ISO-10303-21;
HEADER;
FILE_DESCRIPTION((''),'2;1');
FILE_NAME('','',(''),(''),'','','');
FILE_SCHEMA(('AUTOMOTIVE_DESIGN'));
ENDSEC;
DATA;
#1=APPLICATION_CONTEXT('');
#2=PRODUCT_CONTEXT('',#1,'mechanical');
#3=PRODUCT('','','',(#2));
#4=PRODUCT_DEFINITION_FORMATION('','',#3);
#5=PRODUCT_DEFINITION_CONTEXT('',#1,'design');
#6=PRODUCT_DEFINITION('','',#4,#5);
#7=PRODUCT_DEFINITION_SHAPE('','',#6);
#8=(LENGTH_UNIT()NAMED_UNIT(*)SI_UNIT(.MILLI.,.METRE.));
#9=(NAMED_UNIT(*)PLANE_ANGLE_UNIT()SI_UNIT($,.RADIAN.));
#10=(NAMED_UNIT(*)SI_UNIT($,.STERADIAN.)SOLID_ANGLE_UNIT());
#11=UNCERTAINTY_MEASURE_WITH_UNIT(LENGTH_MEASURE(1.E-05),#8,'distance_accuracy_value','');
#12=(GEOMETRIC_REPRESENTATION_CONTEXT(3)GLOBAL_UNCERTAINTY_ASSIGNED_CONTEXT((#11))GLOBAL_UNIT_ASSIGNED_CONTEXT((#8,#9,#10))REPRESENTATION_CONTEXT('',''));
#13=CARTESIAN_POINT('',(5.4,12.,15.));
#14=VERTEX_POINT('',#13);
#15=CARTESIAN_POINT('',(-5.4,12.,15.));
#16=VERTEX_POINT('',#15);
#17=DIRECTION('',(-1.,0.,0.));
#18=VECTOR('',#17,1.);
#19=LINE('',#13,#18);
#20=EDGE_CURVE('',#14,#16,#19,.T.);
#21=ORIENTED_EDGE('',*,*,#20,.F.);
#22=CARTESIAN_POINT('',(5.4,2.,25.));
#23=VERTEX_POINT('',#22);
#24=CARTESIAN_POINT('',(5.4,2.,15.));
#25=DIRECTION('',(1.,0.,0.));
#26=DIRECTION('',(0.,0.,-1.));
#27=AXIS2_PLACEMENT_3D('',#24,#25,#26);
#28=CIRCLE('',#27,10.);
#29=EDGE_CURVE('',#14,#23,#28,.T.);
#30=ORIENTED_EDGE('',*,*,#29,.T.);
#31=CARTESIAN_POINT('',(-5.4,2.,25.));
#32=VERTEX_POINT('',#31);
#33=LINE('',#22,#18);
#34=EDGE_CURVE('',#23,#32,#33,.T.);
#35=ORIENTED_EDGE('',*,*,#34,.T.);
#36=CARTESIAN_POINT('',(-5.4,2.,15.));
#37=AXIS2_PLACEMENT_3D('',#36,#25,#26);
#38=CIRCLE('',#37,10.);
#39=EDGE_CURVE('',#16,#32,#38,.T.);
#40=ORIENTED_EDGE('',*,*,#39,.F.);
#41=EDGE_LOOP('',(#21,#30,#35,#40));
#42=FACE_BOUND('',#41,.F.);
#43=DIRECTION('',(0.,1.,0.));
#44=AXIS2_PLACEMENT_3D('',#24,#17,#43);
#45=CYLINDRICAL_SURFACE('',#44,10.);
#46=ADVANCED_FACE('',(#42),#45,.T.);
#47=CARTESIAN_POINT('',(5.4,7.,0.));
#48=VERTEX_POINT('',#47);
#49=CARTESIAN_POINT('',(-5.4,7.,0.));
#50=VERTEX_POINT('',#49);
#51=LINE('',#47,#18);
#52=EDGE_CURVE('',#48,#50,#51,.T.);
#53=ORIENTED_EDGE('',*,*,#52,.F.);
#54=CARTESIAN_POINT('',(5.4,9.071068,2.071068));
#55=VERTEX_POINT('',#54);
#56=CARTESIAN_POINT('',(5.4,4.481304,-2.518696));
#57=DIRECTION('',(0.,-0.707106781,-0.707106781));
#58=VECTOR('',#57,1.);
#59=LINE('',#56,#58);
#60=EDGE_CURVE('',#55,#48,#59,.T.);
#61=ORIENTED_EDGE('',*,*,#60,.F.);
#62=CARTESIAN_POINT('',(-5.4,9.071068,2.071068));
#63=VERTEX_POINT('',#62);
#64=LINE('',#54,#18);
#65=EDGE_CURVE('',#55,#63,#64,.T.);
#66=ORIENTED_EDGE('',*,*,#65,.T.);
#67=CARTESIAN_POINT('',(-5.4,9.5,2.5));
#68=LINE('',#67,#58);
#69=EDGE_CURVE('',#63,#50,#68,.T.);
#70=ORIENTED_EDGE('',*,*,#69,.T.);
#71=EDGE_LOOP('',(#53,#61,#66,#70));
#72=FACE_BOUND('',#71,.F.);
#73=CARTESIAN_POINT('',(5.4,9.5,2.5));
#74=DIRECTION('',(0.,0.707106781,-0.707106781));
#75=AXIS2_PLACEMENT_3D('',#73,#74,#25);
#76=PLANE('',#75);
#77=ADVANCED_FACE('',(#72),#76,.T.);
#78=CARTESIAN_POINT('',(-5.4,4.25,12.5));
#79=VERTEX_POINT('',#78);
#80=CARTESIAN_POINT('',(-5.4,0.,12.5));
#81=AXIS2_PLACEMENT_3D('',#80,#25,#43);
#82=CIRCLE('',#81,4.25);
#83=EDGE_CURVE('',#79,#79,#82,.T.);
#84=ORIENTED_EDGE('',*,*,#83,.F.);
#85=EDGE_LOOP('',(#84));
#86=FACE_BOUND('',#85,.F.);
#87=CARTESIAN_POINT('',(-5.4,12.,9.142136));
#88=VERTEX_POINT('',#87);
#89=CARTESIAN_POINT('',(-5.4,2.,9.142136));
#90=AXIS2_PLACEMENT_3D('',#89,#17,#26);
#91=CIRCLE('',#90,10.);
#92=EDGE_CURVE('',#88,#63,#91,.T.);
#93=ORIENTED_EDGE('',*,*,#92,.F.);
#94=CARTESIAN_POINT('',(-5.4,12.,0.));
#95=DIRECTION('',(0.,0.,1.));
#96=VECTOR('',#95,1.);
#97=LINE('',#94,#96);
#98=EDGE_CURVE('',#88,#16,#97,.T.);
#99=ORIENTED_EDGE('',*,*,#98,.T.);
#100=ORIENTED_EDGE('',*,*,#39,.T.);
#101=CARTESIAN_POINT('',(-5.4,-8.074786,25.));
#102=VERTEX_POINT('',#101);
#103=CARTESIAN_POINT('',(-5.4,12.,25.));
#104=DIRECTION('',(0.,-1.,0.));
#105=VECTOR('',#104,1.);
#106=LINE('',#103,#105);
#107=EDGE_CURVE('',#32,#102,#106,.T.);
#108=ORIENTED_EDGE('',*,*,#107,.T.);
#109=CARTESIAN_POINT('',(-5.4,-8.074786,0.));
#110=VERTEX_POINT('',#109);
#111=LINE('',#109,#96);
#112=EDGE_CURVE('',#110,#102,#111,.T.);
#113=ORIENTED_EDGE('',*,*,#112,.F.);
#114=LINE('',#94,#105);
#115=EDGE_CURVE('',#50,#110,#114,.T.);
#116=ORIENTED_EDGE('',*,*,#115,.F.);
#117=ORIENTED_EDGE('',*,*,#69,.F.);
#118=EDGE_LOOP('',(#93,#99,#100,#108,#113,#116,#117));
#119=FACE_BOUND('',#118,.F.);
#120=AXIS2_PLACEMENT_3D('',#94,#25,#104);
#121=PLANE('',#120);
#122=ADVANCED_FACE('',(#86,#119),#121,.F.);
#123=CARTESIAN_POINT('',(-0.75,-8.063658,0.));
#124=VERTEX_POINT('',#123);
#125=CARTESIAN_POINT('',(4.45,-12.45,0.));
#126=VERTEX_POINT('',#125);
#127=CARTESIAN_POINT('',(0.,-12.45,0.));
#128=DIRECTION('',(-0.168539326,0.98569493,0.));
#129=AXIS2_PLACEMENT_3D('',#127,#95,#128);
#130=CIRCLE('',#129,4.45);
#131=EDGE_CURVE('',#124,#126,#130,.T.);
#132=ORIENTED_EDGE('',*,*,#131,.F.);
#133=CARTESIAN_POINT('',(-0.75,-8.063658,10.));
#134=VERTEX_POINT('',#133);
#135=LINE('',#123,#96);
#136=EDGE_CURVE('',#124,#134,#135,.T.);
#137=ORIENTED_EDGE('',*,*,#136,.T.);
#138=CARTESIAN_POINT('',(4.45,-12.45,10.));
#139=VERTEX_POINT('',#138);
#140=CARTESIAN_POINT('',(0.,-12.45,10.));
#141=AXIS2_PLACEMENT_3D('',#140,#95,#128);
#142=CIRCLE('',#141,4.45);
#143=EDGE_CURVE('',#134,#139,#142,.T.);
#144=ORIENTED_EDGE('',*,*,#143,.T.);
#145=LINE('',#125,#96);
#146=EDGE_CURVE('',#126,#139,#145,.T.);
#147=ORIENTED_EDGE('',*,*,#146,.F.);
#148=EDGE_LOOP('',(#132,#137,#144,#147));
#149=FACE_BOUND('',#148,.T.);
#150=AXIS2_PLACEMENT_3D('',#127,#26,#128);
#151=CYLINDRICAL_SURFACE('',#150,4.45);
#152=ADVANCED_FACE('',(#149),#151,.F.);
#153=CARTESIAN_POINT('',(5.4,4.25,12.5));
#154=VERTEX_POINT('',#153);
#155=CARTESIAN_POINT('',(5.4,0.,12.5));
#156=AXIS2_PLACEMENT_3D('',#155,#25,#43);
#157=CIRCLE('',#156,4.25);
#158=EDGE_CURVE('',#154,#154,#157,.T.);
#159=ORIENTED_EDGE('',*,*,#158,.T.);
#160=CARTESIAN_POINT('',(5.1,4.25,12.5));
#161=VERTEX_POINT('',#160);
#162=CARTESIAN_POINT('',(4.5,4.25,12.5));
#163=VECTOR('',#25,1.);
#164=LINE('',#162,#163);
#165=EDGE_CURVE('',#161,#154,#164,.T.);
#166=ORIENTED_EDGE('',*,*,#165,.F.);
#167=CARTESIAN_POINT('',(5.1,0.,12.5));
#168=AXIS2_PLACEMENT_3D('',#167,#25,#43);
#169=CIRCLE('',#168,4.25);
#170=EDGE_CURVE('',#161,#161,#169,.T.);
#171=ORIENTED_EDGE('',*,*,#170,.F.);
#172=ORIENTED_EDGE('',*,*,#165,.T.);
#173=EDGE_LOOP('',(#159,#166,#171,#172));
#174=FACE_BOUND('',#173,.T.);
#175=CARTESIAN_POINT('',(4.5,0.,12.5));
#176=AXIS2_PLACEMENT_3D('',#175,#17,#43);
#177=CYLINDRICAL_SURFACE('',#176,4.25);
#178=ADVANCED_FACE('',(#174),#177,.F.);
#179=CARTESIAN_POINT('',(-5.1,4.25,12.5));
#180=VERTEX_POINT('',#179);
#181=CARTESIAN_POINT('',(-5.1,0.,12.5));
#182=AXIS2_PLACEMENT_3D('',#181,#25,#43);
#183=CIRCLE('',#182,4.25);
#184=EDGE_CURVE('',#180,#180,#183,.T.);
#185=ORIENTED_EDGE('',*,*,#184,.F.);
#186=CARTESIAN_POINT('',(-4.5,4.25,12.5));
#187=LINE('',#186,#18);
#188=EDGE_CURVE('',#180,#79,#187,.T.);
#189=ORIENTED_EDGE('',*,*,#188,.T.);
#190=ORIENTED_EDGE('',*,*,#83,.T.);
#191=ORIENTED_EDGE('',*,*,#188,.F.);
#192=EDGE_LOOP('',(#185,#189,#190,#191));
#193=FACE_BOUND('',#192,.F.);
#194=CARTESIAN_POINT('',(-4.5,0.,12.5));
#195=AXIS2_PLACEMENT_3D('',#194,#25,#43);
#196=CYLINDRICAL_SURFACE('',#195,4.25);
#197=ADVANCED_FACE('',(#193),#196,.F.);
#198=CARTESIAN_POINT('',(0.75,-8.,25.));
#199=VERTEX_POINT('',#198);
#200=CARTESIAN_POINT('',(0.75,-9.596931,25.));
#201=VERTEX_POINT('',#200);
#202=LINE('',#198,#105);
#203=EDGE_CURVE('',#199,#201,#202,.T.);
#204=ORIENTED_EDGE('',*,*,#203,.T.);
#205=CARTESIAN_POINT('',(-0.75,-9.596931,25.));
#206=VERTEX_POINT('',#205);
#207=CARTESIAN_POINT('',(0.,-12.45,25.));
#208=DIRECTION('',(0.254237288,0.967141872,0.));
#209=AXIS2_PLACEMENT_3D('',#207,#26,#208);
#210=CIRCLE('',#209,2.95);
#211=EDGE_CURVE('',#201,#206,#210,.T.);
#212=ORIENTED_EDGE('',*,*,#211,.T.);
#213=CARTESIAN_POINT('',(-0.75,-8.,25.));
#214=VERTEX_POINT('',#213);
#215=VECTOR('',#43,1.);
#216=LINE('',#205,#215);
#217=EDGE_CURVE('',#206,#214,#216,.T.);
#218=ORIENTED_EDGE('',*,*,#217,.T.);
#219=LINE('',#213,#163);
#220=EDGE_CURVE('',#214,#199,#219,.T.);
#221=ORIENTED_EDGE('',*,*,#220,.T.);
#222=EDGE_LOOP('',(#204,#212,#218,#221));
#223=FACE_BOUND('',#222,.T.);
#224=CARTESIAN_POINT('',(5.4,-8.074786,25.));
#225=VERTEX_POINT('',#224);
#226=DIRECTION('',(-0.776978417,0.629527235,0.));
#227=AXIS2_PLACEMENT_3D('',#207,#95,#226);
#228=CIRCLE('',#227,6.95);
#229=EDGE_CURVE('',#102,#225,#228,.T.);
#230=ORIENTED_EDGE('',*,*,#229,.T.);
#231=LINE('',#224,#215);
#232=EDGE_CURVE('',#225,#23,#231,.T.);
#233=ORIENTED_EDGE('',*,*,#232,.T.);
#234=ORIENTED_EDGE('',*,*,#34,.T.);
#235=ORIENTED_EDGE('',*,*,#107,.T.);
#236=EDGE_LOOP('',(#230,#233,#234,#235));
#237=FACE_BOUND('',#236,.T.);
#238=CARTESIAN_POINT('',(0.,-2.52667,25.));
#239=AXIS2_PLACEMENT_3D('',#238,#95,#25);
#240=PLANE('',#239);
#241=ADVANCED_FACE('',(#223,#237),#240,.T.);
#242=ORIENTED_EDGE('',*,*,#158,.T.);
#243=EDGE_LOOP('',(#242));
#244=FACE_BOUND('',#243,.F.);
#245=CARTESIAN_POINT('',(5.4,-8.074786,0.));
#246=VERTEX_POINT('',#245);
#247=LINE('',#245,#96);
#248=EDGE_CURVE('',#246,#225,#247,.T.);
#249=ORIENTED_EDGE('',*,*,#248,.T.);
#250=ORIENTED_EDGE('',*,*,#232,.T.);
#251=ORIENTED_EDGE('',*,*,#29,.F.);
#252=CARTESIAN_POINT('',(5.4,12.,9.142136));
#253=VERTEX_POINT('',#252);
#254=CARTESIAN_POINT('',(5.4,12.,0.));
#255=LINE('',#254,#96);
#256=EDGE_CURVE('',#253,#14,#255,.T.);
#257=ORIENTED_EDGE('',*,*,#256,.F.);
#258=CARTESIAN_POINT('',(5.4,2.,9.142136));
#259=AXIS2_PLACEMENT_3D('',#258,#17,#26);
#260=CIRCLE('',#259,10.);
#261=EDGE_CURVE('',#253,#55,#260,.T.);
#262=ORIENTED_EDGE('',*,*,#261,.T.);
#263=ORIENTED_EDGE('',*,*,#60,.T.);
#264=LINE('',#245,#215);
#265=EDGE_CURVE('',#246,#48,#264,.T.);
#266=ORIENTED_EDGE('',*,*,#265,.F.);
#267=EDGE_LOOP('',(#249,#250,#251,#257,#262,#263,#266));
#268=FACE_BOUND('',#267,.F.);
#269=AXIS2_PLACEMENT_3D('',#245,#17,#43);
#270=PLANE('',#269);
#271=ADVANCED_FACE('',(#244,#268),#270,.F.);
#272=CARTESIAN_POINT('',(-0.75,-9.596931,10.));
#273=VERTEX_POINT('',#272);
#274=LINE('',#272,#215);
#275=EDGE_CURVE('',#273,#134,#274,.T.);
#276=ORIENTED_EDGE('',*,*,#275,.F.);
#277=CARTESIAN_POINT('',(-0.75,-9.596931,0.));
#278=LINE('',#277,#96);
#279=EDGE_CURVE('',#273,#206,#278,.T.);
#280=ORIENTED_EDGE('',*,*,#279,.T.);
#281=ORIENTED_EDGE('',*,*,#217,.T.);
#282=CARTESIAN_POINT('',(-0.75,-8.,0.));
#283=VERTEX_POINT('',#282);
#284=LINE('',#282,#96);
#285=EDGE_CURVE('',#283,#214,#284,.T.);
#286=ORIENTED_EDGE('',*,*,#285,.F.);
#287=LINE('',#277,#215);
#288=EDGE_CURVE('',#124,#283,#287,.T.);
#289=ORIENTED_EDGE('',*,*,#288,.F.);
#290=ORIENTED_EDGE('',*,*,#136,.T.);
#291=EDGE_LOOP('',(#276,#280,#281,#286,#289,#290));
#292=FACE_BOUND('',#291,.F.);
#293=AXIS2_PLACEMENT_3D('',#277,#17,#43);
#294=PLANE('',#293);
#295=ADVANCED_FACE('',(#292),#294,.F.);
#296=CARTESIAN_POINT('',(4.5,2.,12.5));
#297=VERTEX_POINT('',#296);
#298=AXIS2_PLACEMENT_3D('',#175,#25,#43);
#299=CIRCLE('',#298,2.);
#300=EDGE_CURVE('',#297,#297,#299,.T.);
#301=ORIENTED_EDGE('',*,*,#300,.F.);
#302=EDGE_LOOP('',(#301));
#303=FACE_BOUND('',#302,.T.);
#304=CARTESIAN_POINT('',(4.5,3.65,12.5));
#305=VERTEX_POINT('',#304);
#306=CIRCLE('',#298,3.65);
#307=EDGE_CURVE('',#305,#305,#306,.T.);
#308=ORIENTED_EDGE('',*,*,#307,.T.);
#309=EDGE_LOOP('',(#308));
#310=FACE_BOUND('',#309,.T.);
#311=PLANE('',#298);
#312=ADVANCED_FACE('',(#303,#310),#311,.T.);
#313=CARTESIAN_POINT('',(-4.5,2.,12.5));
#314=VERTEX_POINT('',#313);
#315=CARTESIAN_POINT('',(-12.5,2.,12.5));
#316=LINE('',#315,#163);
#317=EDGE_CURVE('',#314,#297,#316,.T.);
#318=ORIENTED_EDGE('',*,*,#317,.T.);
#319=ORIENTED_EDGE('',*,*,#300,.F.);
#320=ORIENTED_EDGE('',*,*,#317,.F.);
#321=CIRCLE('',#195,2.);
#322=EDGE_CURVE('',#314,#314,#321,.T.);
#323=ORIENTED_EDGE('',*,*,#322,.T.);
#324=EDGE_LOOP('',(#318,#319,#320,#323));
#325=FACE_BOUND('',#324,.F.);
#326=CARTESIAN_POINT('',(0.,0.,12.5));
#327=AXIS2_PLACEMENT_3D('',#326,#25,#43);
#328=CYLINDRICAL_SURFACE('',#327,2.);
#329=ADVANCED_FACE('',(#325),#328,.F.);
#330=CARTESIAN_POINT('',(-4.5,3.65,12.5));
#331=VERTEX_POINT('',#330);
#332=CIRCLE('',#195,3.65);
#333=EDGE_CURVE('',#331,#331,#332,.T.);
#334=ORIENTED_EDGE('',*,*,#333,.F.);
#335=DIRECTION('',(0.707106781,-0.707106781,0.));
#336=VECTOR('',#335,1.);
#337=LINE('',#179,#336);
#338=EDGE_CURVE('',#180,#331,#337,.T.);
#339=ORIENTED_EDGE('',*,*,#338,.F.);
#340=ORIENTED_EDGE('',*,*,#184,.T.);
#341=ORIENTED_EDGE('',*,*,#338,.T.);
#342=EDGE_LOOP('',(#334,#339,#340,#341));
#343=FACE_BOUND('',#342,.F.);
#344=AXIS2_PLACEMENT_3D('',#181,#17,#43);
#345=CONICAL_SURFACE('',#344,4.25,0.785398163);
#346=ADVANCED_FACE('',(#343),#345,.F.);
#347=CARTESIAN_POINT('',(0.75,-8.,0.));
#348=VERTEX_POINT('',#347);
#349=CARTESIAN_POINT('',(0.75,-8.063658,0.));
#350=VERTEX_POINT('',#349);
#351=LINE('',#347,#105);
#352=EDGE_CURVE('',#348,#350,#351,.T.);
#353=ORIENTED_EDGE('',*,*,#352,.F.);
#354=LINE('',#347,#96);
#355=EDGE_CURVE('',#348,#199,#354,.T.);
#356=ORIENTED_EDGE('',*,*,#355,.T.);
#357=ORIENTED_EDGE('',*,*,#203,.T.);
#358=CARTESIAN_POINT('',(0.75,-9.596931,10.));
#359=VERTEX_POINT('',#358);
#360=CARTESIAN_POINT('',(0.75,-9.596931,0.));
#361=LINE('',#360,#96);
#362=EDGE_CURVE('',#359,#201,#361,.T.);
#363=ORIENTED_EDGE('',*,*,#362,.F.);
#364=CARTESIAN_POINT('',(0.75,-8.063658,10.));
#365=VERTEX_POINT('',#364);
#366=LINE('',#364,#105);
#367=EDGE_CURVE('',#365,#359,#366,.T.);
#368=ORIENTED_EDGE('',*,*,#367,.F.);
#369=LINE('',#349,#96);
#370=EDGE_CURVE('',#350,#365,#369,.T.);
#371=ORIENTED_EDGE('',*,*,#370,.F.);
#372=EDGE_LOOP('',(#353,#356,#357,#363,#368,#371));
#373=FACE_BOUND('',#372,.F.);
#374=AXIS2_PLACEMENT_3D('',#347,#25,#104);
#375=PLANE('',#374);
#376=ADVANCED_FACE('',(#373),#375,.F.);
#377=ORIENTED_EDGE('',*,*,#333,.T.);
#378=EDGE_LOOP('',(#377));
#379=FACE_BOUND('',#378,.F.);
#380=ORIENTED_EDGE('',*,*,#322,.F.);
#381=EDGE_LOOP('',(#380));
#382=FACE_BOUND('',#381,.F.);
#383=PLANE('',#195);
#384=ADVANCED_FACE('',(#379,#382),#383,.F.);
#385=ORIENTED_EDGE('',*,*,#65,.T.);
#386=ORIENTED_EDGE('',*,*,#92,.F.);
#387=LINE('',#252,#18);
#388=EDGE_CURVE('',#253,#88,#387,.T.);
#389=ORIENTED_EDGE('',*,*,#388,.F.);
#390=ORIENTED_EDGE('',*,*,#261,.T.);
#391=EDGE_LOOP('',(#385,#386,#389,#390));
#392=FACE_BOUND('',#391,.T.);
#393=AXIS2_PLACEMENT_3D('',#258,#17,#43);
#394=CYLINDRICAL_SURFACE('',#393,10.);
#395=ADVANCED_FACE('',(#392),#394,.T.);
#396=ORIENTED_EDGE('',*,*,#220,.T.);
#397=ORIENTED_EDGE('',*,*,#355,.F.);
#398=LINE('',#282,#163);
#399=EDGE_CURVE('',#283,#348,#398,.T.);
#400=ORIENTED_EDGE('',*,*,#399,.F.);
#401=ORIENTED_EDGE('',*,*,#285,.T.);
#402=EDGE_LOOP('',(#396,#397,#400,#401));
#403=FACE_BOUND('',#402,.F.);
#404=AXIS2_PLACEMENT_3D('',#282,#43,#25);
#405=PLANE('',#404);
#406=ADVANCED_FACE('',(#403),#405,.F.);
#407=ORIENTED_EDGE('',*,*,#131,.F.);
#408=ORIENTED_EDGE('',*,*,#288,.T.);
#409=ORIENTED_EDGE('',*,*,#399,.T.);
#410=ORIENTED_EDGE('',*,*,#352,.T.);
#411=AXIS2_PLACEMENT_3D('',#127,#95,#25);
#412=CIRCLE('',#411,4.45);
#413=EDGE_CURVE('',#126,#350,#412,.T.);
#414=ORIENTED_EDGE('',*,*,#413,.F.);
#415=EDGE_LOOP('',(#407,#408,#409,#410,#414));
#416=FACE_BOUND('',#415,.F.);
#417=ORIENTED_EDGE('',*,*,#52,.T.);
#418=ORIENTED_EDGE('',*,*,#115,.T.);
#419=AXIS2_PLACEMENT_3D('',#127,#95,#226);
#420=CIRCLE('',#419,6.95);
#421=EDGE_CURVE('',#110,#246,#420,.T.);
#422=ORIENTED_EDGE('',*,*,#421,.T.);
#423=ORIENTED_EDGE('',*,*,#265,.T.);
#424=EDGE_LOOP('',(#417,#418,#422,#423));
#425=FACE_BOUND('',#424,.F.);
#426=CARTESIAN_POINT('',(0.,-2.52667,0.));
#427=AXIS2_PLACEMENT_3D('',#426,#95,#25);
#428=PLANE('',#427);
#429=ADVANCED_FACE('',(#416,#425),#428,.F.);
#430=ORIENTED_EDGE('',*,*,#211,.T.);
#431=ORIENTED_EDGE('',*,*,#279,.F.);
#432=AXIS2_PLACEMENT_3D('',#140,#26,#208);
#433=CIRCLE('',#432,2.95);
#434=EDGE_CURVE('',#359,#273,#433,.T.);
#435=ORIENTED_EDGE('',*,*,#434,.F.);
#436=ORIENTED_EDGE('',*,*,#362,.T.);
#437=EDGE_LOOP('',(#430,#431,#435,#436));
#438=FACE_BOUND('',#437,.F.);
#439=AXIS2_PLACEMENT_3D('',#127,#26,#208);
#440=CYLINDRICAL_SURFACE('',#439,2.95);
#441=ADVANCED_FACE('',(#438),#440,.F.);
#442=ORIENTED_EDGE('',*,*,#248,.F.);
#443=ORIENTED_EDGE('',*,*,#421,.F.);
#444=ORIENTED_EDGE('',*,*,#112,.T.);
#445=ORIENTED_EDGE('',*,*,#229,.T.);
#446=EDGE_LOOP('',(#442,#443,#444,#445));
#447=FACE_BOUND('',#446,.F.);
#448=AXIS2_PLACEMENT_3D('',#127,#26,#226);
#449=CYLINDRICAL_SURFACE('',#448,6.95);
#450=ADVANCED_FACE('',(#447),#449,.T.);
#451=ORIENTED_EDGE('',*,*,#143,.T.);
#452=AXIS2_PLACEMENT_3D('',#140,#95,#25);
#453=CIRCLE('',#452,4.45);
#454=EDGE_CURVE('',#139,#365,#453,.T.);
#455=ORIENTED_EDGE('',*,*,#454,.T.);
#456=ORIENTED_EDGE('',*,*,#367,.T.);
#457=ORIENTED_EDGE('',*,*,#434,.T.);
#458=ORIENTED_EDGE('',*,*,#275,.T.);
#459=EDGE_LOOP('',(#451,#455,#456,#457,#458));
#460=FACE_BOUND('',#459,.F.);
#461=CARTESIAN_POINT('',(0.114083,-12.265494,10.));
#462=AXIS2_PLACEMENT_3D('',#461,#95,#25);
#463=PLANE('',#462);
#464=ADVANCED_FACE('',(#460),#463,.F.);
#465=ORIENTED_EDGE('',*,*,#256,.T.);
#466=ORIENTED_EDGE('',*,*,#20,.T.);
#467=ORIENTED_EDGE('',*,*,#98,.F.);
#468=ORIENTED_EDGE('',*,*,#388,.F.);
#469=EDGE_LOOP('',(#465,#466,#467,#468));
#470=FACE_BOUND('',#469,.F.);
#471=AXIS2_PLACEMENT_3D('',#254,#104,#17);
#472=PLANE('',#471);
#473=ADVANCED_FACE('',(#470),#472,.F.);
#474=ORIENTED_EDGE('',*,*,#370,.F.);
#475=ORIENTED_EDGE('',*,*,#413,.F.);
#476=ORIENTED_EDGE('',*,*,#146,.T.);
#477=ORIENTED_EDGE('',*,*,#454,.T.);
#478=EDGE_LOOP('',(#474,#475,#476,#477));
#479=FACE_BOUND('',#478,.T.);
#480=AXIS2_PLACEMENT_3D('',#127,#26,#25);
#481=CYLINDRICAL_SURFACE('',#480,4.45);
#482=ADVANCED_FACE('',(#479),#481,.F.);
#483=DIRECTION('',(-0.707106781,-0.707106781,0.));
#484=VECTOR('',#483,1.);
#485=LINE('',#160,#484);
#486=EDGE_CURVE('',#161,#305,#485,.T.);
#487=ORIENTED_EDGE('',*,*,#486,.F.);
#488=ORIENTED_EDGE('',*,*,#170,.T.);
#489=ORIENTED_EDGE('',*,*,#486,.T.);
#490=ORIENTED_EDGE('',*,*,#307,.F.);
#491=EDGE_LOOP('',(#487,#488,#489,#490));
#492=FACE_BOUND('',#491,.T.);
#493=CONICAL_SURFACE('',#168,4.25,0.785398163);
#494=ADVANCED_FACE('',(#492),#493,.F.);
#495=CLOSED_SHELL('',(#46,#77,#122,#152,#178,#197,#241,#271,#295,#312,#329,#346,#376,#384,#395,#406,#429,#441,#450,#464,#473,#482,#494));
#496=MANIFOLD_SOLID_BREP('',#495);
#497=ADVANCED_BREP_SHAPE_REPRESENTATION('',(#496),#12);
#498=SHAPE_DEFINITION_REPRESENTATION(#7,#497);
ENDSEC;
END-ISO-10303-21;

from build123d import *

# Parameters (mm, degrees)
F1_DEPTH = 25
F2_R     = 10
F3_R     = 2
F4_DEPTH = 12.5
F5_SIZE  = 5
F6_DEPTH = 10
F7_START = -4.5
F3_R_2   = 4.25
F7_DEPTH = 0.9
F8_START = 4.5
F8_DEPTH = 0.9
F9_SIZE  = 0.6
F10_R    = 10


with BuildPart() as f1:
    # F0 (on Top) → F1 (new body)
    with BuildSketch(Plane.XY):
        with BuildLine():
            Line((5.4, 12), (-5.4, 12))
            Line((-5.4, 12), (-5.4, 2))
            Line((-5.4, 2), (-5.4, -2))
            Line((-5.4, -2), (-5.4, -8.0747857195))
            ThreePointArc((-5.4, -8.0747857195), (0, -19.4), (5.4, -8.0747857195))
            Line((5.4, -8.0747857195), (5.4, -2))
            Line((5.4, -2), (5.4, 2))
            Line((5.4, 2), (5.4, 12))
        make_face()
        with BuildLine():
            ThreePointArc((4.45, -12.45), (-2.8692333471, -15.8514702703), (-0.75, -8.0636575601))
            Line((-0.75, -8.0636575601), (-0.75, -8))
            Line((-0.75, -8), (0, -8))
            Line((0, -8), (0.75, -8))
            Line((0.75, -8), (0.75, -8.0636575601))
            ThreePointArc((0.75, -8.0636575601), (3.4014702703, -9.5807666529), (4.45, -12.45))
        make_face(mode=Mode.SUBTRACT)
        with BuildLine():
            ThreePointArc((0.75, -9.5969314765), (0, -15.4), (-0.75, -9.5969314765))
            Line((-0.75, -9.5969314765), (-0.75, -8.0636575601))
            ThreePointArc((-0.75, -8.0636575601), (-2.8692333471, -15.8514702703), (4.45, -12.45))
            ThreePointArc((4.45, -12.45), (3.4014702703, -9.5807666529), (0.75, -8.0636575601))
            Line((0.75, -8.0636575601), (0.75, -9.5969314765))
        make_face()
    extrude(amount=F1_DEPTH)

    # F2
    f2_edges = [f1.edges().sort_by_distance(p)[0] for p in [
        (0, 12, 25),
    ]]
    fillet(f2_edges, radius=F2_R)

    # F3 (on Right) → F4 (cut, symmetric)
    with BuildSketch(Plane.YZ):
        with Locations((0, 12.5)):
            Circle(F3_R)
    extrude(amount=F4_DEPTH, both=True, mode=Mode.SUBTRACT)

    # F5
    f5_edges = [f1.edges().sort_by_distance(p)[0] for p in [
        (0, 12, 0),
    ]]
    chamfer(f5_edges, length=F5_SIZE)

    # F0 (on Top) → F6 (cut)
    with BuildSketch(Plane.XY):
        with BuildLine():
            ThreePointArc((0.75, -9.5969314765), (0, -15.4), (-0.75, -9.5969314765))
            Line((-0.75, -9.5969314765), (-0.75, -8.0636575601))
            ThreePointArc((-0.75, -8.0636575601), (-2.8692333471, -15.8514702703), (4.45, -12.45))
            ThreePointArc((4.45, -12.45), (3.4014702703, -9.5807666529), (0.75, -8.0636575601))
            Line((0.75, -8.0636575601), (0.75, -9.5969314765))
        make_face()
    extrude(amount=F6_DEPTH, mode=Mode.SUBTRACT)

    # F3 (on Right) → F7 (cut)
    with BuildSketch(Plane.YZ.offset(F7_START)):
        with Locations((0, 12.5)):
            Circle(F3_R_2)
        with Locations((0, 12.5)):
            Circle(F3_R, mode=Mode.SUBTRACT)
    extrude(amount=-F7_DEPTH, mode=Mode.SUBTRACT)

    # F3 (on Right) → F8 (cut)
    with BuildSketch(Plane.YZ.offset(F8_START)):
        with Locations((0, 12.5)):
            Circle(F3_R_2)
        with Locations((0, 12.5)):
            Circle(F3_R, mode=Mode.SUBTRACT)
    extrude(amount=F8_DEPTH, mode=Mode.SUBTRACT)

    # F9
    f9_edges = [f1.edges().sort_by_distance(p)[0] for p in [
        (4.5, -4.25, 12.5),
        (-4.5, -4.25, 12.5),
    ]]
    chamfer(f9_edges, length=F9_SIZE)

    # F10
    f10_edges = [f1.edges().sort_by_distance(p)[0] for p in [
        (0, 12, 5),
    ]]
    fillet(f10_edges, radius=F10_R)


solid = f1.part
